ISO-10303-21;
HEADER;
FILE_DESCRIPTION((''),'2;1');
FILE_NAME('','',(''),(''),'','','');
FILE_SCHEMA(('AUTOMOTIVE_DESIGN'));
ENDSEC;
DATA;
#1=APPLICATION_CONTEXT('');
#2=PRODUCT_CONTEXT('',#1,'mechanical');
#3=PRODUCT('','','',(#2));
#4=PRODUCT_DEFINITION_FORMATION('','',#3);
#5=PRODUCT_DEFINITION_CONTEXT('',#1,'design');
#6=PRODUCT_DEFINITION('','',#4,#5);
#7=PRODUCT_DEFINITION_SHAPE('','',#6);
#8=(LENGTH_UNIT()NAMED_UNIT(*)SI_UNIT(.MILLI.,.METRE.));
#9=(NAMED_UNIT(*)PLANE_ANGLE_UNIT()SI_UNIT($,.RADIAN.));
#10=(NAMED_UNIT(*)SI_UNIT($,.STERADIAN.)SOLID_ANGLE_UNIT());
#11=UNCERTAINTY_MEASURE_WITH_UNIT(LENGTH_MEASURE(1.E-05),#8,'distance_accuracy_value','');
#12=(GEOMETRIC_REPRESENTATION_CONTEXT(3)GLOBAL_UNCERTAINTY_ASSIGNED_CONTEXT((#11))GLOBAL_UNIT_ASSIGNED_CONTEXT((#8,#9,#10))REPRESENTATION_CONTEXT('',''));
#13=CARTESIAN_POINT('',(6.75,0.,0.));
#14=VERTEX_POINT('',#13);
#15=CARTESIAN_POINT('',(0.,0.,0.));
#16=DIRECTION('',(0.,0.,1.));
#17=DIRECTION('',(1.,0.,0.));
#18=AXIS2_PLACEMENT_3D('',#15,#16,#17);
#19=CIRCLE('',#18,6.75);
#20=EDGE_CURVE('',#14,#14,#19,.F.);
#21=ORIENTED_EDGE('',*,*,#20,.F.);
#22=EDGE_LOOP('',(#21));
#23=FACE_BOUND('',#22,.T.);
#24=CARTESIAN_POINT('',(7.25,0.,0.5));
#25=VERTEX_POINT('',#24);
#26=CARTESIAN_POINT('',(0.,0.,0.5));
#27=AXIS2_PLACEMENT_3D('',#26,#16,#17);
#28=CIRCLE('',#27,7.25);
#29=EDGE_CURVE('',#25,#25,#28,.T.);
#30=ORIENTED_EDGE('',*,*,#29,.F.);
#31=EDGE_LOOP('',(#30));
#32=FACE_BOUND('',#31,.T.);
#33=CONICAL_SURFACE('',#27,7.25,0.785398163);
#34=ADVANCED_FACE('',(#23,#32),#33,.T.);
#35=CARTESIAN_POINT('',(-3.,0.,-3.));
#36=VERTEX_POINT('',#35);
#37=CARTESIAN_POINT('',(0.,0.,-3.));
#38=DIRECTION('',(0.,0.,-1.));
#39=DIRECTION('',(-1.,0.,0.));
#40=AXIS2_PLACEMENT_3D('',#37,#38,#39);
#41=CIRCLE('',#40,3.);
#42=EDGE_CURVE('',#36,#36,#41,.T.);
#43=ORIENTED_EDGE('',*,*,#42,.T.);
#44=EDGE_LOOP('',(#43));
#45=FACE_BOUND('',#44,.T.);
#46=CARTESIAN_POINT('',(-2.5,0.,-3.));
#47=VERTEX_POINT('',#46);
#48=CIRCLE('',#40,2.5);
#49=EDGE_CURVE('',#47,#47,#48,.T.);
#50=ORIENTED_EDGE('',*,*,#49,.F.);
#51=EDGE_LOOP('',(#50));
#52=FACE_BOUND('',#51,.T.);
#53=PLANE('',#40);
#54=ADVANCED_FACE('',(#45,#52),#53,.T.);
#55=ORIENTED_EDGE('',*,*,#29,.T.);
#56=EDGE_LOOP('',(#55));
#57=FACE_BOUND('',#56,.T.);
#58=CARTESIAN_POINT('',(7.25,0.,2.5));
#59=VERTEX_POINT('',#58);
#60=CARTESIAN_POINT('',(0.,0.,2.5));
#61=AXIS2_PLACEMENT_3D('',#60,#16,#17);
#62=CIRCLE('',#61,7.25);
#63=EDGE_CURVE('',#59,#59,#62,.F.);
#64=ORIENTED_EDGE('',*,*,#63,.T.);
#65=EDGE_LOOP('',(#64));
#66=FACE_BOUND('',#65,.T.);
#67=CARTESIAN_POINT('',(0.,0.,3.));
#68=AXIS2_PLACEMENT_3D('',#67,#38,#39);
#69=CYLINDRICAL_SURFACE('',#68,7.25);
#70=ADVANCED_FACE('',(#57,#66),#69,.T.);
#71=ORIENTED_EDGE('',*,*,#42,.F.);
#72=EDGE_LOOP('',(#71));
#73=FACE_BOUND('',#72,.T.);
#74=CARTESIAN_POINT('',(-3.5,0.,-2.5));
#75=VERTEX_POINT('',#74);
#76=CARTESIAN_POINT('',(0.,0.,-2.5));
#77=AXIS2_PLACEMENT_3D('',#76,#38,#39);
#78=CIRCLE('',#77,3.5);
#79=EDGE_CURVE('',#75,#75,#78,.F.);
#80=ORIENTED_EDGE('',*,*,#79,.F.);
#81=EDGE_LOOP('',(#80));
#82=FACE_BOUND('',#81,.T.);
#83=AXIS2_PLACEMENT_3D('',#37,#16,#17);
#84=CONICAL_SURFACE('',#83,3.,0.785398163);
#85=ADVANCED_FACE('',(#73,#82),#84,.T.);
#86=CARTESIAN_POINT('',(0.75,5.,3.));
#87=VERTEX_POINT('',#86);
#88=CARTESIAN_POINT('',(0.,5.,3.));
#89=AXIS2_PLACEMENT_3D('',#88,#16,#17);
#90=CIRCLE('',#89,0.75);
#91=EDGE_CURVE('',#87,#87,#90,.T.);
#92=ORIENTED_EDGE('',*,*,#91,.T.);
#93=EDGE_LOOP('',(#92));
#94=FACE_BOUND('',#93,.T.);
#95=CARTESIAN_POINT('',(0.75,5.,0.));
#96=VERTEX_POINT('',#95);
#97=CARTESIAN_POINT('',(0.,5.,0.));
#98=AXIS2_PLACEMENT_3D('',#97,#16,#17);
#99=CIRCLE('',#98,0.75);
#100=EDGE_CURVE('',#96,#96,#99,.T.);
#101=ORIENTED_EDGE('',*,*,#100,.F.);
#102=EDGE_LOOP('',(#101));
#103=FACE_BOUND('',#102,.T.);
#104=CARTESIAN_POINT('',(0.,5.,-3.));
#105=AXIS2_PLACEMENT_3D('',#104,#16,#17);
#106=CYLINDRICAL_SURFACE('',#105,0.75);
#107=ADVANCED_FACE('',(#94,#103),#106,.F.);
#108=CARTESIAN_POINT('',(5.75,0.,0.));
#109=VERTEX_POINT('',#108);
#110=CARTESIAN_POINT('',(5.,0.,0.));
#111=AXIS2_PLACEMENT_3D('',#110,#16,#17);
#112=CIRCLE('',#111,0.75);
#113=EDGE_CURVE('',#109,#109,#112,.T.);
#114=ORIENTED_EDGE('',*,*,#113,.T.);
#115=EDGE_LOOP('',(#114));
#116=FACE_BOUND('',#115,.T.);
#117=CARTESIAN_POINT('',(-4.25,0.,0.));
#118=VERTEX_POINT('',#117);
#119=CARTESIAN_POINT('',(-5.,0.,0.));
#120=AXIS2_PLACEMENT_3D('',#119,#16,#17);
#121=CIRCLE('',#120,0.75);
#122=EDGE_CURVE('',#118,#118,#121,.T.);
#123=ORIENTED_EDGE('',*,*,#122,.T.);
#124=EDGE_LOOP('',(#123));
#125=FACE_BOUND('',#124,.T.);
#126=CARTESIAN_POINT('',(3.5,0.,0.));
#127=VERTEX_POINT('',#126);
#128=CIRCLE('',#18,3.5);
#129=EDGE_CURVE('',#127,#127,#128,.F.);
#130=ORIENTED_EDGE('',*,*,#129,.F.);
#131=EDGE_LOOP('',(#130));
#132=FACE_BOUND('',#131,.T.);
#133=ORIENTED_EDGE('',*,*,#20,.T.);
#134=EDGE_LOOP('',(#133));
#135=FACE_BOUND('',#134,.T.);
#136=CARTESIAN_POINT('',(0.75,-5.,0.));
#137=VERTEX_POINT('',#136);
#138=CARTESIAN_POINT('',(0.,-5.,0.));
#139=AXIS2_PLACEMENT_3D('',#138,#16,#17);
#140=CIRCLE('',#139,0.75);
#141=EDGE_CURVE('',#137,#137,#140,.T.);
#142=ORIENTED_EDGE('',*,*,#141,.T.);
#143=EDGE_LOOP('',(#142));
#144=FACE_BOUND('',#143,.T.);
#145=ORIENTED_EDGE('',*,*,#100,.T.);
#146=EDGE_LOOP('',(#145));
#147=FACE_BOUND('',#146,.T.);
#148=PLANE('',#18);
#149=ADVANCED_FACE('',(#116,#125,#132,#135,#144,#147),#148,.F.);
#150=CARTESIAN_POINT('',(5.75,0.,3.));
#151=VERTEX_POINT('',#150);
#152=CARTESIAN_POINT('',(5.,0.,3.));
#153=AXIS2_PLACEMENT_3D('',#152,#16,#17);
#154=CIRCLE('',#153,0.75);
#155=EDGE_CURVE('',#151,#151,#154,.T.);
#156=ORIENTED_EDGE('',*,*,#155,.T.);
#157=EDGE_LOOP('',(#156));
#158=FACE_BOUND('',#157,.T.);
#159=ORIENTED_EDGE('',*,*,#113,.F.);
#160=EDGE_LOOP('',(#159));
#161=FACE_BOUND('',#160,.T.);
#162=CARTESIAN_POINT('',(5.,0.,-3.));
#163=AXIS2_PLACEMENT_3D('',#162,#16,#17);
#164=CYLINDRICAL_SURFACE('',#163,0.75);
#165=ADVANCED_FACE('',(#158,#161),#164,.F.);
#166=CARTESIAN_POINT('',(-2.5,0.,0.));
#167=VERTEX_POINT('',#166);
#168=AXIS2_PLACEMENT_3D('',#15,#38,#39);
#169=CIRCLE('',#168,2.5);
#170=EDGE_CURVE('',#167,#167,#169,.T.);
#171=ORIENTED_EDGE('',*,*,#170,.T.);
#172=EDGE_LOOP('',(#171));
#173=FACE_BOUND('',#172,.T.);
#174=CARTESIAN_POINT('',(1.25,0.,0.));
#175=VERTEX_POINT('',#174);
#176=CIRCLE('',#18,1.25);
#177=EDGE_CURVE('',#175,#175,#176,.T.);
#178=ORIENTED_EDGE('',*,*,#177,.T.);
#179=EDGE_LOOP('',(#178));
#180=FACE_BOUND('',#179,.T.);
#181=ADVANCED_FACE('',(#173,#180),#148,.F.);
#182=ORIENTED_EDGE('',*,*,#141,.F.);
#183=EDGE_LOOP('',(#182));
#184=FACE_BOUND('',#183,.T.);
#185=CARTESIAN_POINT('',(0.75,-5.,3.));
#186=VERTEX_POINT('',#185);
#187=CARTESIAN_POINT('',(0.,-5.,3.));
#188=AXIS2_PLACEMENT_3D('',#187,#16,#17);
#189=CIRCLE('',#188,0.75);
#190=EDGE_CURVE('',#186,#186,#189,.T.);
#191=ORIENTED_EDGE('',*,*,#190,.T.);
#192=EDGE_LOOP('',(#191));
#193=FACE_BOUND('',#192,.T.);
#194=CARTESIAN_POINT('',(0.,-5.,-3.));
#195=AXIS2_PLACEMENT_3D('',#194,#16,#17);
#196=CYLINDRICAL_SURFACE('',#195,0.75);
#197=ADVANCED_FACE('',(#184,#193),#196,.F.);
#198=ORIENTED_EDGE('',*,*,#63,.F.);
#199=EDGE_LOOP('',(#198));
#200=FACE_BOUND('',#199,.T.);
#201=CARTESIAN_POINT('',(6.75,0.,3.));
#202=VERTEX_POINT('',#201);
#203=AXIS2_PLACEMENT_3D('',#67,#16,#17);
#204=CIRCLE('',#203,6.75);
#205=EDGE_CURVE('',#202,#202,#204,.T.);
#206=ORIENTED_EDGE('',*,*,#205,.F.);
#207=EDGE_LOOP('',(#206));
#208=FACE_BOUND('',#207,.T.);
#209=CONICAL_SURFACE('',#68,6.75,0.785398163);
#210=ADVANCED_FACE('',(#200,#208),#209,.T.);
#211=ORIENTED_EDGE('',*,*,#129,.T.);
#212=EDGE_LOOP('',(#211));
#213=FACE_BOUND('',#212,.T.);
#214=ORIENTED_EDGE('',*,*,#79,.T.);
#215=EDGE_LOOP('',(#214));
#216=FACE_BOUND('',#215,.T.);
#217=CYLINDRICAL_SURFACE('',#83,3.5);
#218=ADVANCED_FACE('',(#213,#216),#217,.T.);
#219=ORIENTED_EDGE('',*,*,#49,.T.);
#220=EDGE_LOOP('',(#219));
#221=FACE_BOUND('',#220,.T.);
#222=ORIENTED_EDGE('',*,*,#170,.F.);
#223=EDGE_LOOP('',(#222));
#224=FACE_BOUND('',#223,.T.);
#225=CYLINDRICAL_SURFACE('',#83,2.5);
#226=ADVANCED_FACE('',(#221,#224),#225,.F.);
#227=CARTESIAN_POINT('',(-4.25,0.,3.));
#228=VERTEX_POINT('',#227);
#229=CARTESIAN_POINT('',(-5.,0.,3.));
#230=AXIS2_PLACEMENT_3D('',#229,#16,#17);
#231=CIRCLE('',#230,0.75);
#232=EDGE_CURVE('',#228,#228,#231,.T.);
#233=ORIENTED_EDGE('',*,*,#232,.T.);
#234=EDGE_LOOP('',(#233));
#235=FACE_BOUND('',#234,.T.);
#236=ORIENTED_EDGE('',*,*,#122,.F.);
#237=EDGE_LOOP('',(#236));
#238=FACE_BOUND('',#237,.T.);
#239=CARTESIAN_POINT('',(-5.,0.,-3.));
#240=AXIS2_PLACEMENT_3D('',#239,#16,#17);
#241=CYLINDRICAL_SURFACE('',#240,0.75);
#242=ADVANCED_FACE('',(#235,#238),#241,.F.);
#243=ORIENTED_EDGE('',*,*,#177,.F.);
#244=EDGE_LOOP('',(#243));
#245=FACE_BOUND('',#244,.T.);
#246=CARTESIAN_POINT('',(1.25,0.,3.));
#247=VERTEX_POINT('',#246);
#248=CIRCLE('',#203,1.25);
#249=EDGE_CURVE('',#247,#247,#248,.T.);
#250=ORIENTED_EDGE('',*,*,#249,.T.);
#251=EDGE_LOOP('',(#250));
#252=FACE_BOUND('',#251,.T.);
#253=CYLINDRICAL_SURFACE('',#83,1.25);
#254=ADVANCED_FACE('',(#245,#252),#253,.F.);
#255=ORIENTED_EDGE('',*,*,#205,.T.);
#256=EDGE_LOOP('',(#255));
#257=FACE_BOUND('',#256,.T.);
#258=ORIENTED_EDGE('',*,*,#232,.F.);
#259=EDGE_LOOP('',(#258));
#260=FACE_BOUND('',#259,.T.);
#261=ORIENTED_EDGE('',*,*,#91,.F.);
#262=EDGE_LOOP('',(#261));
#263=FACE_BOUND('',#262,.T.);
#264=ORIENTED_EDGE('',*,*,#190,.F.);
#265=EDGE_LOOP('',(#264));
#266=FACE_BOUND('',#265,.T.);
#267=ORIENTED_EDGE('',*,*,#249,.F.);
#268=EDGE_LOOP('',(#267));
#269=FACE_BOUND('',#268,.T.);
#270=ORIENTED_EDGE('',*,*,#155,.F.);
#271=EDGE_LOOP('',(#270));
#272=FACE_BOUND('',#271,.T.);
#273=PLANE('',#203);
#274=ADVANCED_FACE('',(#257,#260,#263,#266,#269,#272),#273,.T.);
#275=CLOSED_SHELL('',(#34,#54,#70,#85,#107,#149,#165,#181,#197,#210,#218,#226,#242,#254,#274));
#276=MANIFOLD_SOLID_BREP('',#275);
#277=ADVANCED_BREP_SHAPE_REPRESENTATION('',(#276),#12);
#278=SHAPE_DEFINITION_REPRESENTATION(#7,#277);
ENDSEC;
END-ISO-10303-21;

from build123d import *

# Parameters (mm, degrees)
SKETCH1_R           = 7.25
BOSS_EXTRUDE1_DEPTH = 3
SKETCH2_R           = 3.5
SKETCH2_R_2         = 2.5
BOSS_EXTRUDE2_DEPTH = 3
SKETCH3_R           = 0.75
CUT_EXTRUDE1_DEPTH  = 12.879604371
CHAMFER1_SIZE       = 0.5
SKETCH5_R           = 1.25
CUT_EXTRUDE3_DEPTH  = 12.879604371


with BuildPart() as part:
    # Sketch1 → Boss-Extrude1 (new body)
    with BuildSketch(Plane.XY):
        Circle(SKETCH1_R)
    extrude(amount=BOSS_EXTRUDE1_DEPTH)

    # Sketch2 → Boss-Extrude2 (add)
    with BuildSketch(Plane(origin=(0, 0, 0), x_dir=(-1, 0, 0), z_dir=(0, 0, -1))):
        with Locations(Location((0, 0, 0), (0, 0, 180))):
            Circle(SKETCH2_R)
        Circle(SKETCH2_R_2, mode=Mode.SUBTRACT)
    extrude(amount=BOSS_EXTRUDE2_DEPTH)

    # Sketch3 → Cut-Extrude1 (cut, through all)
    with BuildSketch(Plane.XY.offset(3)):
        with Locations((0, 5)):
            Circle(SKETCH3_R)
        with Locations((5, 0)):
            Circle(SKETCH3_R)
        with Locations((0, -5)):
            Circle(SKETCH3_R)
        with Locations((-5, 0)):
            Circle(SKETCH3_R)
    extrude(amount=-CUT_EXTRUDE1_DEPTH, mode=Mode.SUBTRACT)

    # Chamfer1
    chamfer1_edges = [part.edges().sort_by_distance(p)[0] for p in [
        (-7.25, 0, 0),
        (-7.25, 0, 3),
        (-3.5, 0, -3),
    ]]
    chamfer(chamfer1_edges, length=CHAMFER1_SIZE)

    # Sketch5 → Cut-Extrude3 (cut, through all)
    with BuildSketch(Plane.XY.offset(3)):
        Circle(SKETCH5_R)
    extrude(amount=-CUT_EXTRUDE3_DEPTH, mode=Mode.SUBTRACT)


solid = part.part
